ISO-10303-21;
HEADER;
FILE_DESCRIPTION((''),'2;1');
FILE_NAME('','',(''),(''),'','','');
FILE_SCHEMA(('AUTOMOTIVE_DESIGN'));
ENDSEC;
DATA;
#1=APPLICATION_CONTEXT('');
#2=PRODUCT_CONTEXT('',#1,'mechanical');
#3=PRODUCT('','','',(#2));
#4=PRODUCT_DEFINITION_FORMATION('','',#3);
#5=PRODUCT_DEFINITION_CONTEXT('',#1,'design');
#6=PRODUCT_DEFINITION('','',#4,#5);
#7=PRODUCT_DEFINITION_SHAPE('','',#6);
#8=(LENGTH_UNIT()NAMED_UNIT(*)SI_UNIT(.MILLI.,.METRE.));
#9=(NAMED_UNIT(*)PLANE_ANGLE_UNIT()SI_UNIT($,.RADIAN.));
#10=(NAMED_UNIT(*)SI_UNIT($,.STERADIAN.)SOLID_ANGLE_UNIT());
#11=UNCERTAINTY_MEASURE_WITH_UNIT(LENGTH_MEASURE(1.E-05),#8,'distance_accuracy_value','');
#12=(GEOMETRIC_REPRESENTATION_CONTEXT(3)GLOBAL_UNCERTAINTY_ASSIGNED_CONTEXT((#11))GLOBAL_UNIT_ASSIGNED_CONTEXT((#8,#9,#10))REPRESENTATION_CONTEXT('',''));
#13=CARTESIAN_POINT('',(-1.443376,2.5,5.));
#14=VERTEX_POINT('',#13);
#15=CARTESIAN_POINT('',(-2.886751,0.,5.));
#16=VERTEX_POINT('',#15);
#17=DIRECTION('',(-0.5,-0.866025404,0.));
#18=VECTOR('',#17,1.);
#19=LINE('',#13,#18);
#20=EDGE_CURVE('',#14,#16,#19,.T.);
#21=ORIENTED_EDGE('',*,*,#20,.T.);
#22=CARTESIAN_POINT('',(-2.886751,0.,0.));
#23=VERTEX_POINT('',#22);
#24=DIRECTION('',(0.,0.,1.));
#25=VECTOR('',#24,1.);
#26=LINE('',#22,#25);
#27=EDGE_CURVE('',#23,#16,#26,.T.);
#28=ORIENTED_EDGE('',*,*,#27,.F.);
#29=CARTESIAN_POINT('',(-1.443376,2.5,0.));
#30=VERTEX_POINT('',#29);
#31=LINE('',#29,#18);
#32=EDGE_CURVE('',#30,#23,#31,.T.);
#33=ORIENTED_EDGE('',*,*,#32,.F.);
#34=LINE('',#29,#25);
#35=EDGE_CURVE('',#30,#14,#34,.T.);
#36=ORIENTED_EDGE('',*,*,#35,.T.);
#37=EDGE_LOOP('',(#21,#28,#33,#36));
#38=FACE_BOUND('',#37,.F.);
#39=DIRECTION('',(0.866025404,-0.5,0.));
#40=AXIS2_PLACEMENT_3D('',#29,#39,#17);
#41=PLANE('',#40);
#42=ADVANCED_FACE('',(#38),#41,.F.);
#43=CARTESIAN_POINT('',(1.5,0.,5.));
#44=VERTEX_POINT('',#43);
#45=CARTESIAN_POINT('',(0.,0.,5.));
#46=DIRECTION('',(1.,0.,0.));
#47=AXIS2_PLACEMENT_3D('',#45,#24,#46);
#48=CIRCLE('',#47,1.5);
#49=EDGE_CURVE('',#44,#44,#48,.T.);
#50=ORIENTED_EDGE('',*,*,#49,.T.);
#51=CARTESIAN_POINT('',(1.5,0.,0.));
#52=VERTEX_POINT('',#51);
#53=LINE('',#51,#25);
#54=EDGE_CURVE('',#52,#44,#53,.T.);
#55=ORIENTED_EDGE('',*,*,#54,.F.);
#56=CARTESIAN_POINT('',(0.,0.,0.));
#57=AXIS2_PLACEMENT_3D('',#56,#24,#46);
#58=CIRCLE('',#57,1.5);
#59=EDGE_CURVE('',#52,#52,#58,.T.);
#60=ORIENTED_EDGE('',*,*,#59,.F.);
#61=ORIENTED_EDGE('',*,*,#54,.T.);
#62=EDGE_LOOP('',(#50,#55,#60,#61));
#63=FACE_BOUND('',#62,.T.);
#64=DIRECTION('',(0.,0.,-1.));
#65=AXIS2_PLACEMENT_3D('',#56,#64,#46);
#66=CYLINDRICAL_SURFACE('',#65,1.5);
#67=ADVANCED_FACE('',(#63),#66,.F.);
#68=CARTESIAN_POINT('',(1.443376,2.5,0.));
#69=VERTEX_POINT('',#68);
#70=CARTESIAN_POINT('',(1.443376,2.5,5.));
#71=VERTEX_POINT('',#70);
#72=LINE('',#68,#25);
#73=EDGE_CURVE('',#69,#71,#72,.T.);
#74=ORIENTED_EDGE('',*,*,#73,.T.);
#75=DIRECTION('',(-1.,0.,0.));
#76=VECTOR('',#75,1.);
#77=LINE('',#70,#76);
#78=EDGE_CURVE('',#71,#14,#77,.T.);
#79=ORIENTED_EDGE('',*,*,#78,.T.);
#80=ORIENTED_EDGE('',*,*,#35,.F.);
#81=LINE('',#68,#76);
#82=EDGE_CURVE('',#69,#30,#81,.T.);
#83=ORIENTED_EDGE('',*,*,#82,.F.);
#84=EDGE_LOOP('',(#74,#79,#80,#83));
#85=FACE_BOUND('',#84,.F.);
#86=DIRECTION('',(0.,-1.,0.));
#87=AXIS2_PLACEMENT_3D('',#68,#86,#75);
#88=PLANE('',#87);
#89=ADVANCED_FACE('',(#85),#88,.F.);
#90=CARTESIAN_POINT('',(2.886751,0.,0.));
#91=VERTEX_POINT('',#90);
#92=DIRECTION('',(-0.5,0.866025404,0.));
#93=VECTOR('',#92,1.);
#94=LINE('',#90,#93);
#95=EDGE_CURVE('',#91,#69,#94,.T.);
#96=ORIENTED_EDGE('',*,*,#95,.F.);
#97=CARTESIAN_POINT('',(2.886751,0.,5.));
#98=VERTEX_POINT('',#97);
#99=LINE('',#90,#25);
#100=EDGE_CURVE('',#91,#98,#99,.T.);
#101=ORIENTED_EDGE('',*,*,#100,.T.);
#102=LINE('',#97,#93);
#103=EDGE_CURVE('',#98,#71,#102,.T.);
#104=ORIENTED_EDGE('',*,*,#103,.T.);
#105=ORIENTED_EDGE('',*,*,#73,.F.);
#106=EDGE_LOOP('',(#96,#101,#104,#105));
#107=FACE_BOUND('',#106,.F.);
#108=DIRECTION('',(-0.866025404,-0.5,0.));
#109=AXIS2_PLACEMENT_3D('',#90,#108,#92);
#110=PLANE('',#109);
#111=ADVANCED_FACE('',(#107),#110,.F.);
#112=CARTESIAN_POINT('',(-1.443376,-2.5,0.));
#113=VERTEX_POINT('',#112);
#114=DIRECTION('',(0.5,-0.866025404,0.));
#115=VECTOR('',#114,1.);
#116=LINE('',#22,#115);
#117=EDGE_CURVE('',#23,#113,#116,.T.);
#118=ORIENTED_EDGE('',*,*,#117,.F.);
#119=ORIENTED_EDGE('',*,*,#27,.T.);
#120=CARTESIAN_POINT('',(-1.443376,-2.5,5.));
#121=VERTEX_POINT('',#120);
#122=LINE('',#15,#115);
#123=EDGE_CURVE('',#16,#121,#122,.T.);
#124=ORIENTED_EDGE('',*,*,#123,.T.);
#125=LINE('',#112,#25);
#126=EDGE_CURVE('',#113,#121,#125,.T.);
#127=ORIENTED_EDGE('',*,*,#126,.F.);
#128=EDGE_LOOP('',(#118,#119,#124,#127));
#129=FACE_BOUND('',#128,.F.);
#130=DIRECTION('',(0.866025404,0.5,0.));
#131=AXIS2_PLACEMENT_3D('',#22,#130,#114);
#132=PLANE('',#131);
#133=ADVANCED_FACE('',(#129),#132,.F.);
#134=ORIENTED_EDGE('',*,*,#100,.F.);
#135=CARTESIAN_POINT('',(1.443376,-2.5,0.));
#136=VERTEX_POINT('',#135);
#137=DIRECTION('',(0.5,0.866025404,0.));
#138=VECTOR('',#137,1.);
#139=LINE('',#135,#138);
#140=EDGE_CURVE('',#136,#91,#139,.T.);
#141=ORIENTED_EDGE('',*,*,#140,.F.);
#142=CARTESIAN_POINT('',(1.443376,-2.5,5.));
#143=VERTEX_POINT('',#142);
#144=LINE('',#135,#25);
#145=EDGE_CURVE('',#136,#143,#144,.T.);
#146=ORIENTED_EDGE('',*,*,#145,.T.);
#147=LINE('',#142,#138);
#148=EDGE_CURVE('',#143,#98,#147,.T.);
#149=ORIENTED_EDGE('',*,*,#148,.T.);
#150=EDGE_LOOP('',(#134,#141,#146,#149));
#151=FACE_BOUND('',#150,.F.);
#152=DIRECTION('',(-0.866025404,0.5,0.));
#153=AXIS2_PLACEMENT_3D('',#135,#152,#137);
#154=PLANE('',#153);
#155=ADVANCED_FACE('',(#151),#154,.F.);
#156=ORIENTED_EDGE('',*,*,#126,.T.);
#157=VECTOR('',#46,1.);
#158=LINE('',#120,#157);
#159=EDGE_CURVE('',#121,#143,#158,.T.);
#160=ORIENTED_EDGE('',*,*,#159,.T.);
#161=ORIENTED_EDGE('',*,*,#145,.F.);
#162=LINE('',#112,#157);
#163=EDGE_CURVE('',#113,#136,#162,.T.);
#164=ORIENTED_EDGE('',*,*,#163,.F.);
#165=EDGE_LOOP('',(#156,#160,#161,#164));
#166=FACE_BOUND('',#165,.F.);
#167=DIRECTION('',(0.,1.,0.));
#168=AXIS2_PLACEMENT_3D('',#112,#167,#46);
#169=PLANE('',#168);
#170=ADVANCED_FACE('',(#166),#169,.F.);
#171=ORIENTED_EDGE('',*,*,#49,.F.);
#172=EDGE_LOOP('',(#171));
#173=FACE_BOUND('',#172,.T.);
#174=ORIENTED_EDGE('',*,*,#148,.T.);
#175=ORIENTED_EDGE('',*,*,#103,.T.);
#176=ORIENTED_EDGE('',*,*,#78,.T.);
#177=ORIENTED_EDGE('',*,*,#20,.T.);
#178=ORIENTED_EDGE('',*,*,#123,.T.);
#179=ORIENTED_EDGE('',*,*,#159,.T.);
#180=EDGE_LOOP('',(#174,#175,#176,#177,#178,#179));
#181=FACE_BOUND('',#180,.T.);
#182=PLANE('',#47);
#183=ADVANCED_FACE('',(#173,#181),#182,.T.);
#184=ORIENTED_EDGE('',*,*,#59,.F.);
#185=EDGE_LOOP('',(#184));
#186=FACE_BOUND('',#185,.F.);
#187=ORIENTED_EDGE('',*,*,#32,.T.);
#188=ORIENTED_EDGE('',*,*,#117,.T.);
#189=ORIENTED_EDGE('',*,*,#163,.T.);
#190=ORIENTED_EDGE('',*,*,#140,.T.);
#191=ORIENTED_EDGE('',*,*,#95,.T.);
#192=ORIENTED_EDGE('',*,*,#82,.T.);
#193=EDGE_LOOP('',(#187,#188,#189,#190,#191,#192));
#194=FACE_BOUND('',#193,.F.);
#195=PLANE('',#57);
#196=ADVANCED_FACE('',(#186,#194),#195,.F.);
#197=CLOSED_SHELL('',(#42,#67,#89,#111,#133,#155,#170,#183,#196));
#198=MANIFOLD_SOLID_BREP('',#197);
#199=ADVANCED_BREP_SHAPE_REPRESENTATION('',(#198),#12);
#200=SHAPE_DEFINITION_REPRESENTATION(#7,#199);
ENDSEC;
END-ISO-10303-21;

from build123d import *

# Parameters (mm, degrees)
SKETCH_1_R      = 1.5
EXTRUDE_1_DEPTH = 5


with BuildPart() as part:
    # 草图1 → 凸台-拉伸1 (new body)
    with BuildSketch(Plane.XY):
        Polygon((1.443375673, -2.5), (2.886751346, 0), (1.443375673, 2.5), (-1.443375673, 2.5), (-2.886751346, 0), (-1.443375673, -2.5), align=None)
        Circle(SKETCH_1_R, mode=Mode.SUBTRACT)
    extrude(amount=EXTRUDE_1_DEPTH)


solid = part.part
